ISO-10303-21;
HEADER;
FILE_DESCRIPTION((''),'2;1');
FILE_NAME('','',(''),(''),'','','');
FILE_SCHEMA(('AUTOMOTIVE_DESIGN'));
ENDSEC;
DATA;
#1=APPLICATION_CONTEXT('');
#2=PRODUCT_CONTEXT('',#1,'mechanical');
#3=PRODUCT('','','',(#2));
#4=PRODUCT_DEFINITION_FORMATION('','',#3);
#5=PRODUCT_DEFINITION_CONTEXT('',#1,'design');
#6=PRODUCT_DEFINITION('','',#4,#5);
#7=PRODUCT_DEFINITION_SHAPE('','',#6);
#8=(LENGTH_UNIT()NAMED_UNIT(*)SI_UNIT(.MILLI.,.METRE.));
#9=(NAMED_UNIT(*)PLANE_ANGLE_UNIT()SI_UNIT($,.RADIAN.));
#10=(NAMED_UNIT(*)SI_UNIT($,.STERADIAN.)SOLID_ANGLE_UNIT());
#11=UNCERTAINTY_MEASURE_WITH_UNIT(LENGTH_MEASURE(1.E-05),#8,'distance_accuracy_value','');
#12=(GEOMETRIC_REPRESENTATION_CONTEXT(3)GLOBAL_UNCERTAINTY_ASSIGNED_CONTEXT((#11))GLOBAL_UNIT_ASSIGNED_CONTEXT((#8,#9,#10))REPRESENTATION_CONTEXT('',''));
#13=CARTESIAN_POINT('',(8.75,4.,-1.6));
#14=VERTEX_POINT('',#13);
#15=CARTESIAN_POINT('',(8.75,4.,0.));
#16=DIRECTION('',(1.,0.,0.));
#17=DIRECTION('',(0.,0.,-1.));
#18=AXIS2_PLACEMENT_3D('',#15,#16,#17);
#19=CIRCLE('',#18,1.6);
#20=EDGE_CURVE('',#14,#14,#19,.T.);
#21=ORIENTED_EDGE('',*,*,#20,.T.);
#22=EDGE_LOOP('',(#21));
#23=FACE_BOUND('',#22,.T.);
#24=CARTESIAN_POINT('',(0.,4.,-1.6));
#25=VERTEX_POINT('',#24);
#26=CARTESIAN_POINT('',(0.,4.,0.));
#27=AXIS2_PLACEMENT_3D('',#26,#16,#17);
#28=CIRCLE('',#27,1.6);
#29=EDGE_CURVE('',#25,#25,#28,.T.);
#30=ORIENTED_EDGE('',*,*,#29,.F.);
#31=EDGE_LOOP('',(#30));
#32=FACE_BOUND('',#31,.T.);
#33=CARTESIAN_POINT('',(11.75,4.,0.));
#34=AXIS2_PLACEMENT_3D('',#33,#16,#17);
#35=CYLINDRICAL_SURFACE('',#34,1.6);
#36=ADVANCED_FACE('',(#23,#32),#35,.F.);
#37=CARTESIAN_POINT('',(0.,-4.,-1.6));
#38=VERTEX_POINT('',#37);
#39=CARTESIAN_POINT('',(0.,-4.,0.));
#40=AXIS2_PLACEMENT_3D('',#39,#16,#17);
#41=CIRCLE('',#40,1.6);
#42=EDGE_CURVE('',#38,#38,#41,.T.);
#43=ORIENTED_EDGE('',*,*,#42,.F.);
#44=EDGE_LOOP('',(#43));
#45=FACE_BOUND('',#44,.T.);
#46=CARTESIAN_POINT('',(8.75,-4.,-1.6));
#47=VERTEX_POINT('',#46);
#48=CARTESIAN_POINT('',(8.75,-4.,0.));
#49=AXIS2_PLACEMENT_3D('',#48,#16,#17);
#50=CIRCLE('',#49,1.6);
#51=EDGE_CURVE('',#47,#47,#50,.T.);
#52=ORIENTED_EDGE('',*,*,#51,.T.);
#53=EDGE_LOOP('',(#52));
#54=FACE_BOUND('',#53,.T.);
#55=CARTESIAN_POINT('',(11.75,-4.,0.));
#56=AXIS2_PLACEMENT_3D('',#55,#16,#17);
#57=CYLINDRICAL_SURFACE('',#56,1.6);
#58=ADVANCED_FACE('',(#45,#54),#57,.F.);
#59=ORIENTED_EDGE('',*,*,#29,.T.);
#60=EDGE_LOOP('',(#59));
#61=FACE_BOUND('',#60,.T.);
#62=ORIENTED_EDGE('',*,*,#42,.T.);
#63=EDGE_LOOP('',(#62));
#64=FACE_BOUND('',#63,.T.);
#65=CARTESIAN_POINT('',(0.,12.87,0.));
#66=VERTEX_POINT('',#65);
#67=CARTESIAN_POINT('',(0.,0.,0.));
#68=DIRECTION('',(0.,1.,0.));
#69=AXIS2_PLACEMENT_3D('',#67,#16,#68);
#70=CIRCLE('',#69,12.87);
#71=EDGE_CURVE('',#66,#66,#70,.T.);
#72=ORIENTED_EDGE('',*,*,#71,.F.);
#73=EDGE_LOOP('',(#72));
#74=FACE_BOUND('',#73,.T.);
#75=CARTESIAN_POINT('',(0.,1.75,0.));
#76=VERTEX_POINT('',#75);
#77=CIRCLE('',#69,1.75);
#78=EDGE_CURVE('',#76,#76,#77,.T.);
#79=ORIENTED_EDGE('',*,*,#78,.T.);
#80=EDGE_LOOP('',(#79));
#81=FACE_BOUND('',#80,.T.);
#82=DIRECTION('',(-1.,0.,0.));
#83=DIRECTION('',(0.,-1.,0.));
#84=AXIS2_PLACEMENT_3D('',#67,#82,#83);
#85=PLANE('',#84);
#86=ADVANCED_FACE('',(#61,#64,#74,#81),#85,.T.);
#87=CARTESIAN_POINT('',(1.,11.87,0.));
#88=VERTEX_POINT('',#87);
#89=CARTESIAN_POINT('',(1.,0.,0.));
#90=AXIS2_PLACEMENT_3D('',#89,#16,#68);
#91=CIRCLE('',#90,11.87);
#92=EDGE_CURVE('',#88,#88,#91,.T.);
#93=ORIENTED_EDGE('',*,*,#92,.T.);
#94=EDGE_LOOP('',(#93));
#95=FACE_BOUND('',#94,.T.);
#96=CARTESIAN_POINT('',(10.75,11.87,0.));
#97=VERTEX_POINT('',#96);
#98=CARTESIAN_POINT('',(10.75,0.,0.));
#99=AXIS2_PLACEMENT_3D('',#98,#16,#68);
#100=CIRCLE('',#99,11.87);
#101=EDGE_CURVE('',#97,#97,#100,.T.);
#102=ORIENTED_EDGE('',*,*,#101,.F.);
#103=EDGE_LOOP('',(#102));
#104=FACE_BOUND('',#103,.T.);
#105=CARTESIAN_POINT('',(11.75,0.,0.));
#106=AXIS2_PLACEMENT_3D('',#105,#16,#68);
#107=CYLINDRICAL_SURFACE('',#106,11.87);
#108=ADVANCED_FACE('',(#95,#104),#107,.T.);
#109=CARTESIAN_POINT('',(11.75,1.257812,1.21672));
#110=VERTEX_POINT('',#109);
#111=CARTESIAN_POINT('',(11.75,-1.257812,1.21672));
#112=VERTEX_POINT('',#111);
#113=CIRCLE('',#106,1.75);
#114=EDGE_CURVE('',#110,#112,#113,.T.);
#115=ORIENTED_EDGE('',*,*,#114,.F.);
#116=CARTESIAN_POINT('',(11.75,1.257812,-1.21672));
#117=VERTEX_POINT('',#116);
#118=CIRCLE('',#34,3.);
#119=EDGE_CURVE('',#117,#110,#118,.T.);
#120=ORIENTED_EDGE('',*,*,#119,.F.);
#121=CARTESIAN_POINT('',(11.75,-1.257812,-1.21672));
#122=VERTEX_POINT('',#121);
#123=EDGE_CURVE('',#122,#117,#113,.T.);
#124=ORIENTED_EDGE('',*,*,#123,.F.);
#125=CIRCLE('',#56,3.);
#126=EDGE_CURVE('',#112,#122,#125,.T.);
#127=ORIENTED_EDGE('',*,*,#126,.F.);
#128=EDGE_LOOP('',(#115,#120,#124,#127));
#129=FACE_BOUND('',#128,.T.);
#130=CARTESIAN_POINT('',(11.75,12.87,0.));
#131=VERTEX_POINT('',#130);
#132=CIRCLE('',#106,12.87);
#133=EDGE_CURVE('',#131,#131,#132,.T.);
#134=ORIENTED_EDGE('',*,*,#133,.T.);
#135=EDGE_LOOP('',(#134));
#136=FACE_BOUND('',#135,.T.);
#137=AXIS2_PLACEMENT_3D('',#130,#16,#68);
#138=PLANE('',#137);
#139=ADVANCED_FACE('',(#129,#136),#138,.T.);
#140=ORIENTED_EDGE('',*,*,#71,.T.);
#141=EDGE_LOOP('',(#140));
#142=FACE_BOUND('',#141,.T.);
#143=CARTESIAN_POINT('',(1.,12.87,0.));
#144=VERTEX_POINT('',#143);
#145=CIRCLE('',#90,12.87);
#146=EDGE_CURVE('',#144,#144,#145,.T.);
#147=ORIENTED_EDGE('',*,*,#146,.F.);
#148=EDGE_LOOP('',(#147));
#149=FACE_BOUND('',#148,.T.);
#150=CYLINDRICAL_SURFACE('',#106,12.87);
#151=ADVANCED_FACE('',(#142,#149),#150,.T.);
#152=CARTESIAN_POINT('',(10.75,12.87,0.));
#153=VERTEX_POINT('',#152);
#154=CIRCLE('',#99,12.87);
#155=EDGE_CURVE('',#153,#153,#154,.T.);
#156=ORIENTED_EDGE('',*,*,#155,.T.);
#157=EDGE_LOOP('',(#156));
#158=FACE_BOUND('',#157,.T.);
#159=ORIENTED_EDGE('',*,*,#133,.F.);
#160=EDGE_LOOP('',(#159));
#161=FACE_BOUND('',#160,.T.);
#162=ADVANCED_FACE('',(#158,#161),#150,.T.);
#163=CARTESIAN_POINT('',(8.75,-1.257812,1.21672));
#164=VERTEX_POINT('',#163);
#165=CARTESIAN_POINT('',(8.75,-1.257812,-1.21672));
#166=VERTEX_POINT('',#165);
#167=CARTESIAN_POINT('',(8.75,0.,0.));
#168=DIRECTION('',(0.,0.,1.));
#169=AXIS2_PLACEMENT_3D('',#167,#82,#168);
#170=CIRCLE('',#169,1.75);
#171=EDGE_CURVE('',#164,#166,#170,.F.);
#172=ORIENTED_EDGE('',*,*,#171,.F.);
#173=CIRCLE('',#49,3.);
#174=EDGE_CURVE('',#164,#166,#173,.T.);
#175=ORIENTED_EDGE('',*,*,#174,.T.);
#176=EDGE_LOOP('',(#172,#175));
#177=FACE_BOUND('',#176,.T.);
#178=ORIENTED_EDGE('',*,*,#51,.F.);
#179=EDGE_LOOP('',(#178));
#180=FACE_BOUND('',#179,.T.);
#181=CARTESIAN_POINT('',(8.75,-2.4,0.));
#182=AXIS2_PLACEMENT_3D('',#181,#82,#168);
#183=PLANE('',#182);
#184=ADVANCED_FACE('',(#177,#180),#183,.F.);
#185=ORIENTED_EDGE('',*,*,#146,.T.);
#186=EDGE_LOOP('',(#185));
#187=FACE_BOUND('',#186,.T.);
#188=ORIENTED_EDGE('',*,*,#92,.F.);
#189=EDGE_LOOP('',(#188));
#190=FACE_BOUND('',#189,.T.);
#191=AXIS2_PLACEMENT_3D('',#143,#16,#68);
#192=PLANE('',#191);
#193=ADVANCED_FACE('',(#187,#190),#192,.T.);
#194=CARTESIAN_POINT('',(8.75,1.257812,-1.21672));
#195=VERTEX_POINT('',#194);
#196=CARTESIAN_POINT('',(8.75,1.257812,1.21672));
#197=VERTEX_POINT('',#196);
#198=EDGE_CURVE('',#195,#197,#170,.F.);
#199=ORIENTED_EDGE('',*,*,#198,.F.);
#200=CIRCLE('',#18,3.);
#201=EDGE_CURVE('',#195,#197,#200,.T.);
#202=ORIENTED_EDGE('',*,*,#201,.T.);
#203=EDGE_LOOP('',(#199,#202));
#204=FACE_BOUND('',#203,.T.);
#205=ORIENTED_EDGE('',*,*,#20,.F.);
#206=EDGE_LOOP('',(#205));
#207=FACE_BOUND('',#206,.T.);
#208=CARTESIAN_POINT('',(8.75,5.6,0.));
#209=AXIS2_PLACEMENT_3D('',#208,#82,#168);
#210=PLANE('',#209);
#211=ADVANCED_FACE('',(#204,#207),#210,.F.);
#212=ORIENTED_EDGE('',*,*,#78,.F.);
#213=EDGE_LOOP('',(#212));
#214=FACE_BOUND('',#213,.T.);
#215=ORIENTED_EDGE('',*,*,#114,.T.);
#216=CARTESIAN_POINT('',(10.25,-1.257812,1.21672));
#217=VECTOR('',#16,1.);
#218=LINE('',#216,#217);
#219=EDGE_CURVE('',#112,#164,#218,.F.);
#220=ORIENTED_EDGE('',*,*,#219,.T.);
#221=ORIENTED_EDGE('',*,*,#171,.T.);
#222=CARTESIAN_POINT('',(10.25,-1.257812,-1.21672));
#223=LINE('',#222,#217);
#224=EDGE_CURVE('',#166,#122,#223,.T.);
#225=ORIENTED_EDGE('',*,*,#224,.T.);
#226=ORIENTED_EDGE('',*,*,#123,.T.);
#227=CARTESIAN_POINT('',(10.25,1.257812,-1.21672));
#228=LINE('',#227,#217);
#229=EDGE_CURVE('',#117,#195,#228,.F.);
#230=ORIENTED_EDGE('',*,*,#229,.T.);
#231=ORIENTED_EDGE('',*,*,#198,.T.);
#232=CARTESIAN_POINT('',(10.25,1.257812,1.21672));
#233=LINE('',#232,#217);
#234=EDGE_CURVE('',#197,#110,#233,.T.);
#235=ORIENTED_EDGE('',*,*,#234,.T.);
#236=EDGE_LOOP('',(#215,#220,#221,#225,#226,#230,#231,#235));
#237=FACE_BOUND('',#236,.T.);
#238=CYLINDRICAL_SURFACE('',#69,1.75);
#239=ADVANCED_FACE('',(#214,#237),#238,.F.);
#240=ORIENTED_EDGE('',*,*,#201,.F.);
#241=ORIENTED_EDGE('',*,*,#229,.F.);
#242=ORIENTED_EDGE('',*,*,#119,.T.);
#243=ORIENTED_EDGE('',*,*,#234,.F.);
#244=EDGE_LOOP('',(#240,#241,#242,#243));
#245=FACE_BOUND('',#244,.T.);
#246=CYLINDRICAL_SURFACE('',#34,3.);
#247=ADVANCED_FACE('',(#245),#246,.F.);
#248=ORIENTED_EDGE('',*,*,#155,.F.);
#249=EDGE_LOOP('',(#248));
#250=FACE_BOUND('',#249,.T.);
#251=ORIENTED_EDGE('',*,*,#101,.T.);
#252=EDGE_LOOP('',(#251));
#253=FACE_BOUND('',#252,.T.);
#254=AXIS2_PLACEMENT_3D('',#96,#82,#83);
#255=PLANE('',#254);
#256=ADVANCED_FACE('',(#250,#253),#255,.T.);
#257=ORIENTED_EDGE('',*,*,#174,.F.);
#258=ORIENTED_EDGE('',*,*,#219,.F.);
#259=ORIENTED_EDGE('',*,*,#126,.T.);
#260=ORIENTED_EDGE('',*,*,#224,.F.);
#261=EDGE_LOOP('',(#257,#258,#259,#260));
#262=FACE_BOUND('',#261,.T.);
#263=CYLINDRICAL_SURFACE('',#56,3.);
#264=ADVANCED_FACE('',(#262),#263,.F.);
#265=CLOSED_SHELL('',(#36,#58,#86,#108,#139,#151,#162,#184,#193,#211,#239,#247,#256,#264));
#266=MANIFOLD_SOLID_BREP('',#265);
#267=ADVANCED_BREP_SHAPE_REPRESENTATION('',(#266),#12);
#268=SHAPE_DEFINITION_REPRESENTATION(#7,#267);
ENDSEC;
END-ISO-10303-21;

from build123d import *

# Parameters (mm, degrees)
SKETCH7_R                      = 1.75
CUT_EXTRUDE1_DEPTH             = 22.664170882
CBORE_FOR_M3_SHCS1_D           = 3.2
CBORE_FOR_M3_SHCS1_CBORE_D     = 6
CBORE_FOR_M3_SHCS1_CBORE_DEPTH = 3


with BuildPart() as part:
    # Sketch2 → Revolve1 (revolve)
    with BuildSketch(Plane.XY):
        Polygon((0, 0), (0, 12.87), (1, 12.87), (1, 11.87), (10.75, 11.87), (10.75, 12.87), (11.75, 12.87), (11.75, 0), align=None)
    revolve(axis=Axis((11.75, 0, 0), (-1, 0, 0)))

    # Sketch7 → Cut-Extrude1 (cut, through all)
    with BuildSketch(Plane(origin=(11.75, 0, 0), x_dir=(0, 0, -1), z_dir=(1, 0, 0))):
        with Locations(Location((0, 0, 0), (0, 0, 90))):
            Circle(SKETCH7_R)
    extrude(amount=-CUT_EXTRUDE1_DEPTH, mode=Mode.SUBTRACT)

    # CBORE for M3 SHCS1 (through all)
    with Locations(Plane(origin=(11.75, 0, 0), x_dir=(0, 0, -1), z_dir=(1, 0, 0))):
        with Locations((0, -4), (0, 4)):
            CounterBoreHole(CBORE_FOR_M3_SHCS1_D / 2, CBORE_FOR_M3_SHCS1_CBORE_D / 2, CBORE_FOR_M3_SHCS1_CBORE_DEPTH)


solid = part.part
